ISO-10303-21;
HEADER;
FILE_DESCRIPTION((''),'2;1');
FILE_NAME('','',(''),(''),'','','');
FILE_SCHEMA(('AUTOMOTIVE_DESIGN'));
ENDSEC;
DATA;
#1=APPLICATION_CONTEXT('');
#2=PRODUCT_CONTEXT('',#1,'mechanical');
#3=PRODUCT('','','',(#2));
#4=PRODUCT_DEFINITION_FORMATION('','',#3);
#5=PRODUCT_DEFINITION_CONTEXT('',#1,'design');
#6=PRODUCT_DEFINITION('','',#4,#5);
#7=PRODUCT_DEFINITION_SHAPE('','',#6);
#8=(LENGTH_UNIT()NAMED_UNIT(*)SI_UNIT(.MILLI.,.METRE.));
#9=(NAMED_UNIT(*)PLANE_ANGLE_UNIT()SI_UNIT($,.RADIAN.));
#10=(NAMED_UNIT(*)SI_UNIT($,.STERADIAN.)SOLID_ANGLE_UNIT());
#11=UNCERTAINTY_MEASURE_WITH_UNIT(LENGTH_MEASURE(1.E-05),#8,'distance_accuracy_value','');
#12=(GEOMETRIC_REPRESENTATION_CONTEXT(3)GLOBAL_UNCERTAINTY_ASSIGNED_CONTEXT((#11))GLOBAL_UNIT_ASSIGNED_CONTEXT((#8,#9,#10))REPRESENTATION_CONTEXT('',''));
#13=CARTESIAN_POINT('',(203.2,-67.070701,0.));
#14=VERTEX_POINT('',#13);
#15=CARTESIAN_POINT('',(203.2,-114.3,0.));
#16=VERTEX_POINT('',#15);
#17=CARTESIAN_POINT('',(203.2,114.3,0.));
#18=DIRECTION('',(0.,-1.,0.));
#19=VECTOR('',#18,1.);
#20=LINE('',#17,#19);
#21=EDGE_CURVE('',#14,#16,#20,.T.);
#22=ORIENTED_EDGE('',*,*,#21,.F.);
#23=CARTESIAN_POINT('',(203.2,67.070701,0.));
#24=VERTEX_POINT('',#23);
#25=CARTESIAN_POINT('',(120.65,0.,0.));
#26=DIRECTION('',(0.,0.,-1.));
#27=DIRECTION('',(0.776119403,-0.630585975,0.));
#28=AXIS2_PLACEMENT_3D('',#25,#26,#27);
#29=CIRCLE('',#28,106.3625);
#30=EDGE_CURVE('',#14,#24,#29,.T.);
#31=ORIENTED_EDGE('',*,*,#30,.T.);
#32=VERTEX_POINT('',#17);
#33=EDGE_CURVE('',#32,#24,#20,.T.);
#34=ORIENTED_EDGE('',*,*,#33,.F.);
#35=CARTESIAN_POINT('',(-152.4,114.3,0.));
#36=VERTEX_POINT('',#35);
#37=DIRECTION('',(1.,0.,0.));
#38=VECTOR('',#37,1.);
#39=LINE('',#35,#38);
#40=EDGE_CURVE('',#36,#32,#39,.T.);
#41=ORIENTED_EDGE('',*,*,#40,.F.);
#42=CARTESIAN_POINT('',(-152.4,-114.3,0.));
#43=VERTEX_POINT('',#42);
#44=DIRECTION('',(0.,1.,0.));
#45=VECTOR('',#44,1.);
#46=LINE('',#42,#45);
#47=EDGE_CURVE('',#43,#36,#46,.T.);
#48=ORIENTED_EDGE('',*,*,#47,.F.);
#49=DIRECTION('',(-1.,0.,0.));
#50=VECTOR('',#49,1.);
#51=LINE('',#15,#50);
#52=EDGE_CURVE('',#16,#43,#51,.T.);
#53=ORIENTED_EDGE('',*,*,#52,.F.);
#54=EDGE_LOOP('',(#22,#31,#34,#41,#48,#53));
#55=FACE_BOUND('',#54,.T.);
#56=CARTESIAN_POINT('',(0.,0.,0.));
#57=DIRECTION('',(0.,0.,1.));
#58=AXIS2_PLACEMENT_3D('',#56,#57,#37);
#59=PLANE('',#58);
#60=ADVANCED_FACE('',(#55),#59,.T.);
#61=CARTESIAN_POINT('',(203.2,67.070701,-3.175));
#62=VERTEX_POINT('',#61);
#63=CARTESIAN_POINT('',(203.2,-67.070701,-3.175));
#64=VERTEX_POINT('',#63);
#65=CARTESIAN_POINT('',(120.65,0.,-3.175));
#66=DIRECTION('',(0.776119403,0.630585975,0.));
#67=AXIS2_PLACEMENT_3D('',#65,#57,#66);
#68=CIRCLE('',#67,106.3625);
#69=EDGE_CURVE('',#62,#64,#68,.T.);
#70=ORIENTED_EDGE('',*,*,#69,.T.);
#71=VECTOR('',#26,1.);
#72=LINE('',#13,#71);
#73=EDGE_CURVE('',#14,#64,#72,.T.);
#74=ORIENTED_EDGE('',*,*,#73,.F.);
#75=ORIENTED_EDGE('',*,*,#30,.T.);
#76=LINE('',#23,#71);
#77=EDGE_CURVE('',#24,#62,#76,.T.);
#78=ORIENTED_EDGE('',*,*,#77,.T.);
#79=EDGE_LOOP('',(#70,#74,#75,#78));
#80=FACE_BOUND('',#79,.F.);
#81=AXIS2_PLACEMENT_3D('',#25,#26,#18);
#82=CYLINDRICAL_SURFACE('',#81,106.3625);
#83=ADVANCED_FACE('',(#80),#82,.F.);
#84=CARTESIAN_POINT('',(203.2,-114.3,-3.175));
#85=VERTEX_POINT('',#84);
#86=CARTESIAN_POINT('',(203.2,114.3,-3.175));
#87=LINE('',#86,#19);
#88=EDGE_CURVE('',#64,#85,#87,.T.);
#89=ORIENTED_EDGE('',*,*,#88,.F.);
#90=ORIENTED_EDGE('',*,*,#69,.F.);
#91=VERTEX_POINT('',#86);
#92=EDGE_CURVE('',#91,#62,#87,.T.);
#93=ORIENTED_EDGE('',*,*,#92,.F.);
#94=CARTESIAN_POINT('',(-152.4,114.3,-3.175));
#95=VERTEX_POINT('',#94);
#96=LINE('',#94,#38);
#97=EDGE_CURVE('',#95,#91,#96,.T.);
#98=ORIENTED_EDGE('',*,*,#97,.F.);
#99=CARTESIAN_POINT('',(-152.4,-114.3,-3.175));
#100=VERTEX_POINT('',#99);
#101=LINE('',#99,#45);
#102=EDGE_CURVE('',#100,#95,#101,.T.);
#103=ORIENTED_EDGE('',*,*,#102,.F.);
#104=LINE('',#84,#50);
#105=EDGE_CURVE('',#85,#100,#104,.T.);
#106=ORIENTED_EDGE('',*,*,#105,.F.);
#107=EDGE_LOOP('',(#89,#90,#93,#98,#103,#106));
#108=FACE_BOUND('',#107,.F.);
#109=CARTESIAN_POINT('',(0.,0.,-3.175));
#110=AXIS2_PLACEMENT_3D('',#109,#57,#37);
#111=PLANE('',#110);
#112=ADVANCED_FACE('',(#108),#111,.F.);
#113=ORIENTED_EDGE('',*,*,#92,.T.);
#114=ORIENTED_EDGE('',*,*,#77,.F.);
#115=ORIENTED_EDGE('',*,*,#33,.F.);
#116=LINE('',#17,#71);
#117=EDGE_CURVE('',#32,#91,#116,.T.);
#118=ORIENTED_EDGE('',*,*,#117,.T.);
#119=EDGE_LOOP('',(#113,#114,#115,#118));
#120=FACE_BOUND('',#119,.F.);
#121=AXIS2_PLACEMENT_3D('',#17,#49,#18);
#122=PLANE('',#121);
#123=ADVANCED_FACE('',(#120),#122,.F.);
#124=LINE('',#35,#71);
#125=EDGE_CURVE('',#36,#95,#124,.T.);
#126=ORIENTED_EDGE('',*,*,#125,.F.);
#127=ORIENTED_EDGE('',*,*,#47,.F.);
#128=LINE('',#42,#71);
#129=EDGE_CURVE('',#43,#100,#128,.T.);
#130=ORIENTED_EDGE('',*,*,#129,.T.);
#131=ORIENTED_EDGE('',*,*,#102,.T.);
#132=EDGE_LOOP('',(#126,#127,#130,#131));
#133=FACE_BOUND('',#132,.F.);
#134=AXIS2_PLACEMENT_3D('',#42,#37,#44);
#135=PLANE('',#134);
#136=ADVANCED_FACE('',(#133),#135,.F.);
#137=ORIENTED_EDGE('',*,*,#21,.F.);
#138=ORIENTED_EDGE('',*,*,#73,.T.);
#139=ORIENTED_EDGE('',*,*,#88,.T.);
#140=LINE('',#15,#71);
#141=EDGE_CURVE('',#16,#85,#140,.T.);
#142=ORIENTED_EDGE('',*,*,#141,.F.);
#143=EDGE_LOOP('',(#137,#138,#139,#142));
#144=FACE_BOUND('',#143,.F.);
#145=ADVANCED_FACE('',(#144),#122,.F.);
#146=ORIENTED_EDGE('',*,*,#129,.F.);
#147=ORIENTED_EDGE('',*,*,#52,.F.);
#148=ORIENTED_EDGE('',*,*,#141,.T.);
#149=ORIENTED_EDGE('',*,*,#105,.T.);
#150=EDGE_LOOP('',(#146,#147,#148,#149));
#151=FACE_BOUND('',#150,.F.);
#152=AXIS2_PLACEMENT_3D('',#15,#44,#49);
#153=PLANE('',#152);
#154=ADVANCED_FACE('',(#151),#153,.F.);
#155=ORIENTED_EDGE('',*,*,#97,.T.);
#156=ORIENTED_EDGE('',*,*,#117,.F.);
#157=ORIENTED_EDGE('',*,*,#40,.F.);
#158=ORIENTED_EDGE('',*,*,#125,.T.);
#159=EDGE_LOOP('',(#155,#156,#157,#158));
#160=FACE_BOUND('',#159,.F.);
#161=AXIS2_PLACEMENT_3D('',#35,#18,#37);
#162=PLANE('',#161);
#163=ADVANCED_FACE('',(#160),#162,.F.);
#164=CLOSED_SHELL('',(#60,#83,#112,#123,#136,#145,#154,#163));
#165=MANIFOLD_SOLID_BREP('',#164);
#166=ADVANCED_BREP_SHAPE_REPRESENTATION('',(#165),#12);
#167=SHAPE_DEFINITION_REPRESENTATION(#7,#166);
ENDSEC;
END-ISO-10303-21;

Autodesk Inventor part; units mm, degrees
ref_plane "YZ Plane" through (0, 0, 0) normal (1, 0, 0) x (0, 1, 0)
ref_plane "XZ Plane" through (0, 0, 0) normal (0, 1, 0) x (-1, 0, 0)
ref_plane "XY Plane" through (0, 0, 0) normal (0, 0, 1) x (1, 0, 0)
sketch "Sketch1" plane through (0, 0, 0) normal (0, 0, 1) x (1, 0, 0)
  line L0 (-152.4, 114.3) -> (203.2, 114.3)
  line L1 (203.2, 114.3) -> (203.2, -114.3)
  line L2 (203.2, -114.3) -> (-152.4, -114.3)
  line L3 (-152.4, -114.3) -> (-152.4, 114.3)
  point P0 (0, 0)
  dimension "d0" = 355.6
  dimension "d1" = 228.6
  dimension "d2" = 114.3
  dimension "d3" = 152.4
extrude "Extrusion1" add sketch "Sketch1" against normal blind 3.175
hole "Hole1" at (120.65, 0, 0) direction (0, 0, -1) diameter 212.725 depth 3.175 tip angle 118
properties part number "Fore_Top"
